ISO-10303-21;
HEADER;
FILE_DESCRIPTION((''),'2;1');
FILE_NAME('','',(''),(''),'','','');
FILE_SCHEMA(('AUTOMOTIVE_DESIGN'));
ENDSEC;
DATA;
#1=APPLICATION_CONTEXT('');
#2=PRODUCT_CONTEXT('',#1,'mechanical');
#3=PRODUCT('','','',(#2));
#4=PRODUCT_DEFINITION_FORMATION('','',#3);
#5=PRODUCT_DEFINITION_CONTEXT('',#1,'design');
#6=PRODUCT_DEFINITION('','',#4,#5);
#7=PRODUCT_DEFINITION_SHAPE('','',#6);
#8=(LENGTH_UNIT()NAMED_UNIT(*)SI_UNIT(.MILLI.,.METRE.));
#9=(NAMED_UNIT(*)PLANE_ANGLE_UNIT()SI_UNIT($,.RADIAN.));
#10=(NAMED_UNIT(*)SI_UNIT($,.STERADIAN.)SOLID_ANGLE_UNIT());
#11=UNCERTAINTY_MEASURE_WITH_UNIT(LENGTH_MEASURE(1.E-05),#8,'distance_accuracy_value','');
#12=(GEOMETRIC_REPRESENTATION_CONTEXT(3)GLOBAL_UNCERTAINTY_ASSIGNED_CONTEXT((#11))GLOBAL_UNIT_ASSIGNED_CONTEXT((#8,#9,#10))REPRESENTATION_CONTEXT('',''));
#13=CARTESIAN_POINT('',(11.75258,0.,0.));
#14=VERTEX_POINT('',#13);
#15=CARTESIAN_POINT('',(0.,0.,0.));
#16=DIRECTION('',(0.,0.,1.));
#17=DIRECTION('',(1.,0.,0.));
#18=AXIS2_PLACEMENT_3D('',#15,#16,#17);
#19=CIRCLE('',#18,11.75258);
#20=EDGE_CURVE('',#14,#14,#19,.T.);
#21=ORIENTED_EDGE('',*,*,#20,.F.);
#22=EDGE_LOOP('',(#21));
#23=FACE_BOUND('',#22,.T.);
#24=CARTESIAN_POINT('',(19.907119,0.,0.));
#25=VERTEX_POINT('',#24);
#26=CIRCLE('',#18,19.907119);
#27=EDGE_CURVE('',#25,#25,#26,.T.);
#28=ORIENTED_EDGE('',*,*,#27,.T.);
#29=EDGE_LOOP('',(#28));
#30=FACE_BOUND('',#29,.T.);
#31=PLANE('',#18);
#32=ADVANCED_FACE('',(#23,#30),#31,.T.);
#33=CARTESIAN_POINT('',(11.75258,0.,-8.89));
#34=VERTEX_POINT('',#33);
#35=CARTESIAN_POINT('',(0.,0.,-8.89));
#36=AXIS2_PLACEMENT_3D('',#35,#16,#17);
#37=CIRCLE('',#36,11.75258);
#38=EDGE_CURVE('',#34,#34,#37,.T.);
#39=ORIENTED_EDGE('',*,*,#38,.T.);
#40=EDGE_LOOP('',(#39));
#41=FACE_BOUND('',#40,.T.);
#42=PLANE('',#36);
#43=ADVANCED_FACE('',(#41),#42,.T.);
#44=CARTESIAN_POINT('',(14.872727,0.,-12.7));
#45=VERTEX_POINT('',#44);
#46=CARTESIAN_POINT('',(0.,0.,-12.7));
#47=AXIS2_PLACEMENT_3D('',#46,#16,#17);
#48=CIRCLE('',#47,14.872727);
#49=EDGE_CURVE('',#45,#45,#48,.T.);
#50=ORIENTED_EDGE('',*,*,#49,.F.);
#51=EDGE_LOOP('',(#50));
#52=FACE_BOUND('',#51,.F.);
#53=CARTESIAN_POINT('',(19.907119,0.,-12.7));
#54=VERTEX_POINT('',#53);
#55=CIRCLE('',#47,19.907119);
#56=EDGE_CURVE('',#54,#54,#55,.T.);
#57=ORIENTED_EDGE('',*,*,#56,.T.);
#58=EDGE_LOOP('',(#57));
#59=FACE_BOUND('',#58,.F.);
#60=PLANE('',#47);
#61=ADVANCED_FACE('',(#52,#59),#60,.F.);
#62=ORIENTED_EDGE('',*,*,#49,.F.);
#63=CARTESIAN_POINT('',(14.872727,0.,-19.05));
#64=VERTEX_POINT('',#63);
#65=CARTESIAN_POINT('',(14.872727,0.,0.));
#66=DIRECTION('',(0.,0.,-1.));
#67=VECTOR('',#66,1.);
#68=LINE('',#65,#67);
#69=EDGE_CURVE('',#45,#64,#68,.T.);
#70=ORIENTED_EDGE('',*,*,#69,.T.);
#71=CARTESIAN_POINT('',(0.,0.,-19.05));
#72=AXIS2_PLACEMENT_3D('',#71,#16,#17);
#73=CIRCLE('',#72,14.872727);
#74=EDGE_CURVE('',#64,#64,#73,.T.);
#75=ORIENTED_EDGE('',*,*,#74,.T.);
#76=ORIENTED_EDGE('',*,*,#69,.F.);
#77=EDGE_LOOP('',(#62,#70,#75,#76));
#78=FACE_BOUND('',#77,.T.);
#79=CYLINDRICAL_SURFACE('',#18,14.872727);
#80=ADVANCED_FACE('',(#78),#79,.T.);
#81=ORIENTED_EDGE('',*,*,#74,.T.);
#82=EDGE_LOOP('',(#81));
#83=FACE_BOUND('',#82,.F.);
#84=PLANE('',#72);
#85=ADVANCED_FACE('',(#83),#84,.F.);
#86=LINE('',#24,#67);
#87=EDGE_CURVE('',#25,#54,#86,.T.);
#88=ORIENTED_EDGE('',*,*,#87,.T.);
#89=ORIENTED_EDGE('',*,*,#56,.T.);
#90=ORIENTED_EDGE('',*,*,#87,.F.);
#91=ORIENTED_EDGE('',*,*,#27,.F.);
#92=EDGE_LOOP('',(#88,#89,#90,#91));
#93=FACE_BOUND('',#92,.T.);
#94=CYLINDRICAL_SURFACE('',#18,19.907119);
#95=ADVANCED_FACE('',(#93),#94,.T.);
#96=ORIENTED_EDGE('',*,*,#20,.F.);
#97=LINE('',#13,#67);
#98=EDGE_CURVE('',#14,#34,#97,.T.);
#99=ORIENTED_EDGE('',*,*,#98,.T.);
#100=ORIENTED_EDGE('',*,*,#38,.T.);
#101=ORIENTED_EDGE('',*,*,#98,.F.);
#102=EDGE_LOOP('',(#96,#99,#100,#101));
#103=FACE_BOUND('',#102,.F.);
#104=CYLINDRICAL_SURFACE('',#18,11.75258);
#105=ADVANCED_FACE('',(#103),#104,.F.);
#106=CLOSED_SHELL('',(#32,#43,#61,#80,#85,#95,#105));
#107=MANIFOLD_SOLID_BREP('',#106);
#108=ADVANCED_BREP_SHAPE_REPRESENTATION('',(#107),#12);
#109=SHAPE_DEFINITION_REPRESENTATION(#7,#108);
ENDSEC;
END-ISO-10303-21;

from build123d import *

# Parameters (mm, degrees)
F1_R     = 19.907119
F2_DEPTH = 12.7
F3_R     = 14.872727
F4_DEPTH = 19.05
F0_R     = 11.75258
F5_DEPTH = 8.89


with BuildPart() as f2:
    # F1 (on Top) → F2 (new body)
    with BuildSketch(Plane.XY):
        Circle(F1_R)
    extrude(amount=-F2_DEPTH)

    # F3 (on Top) → F4 (join)
    with BuildSketch(Plane.XY):
        Circle(F3_R)
    extrude(amount=-F4_DEPTH)

    # F0 (on Top) → F5 (cut)
    with BuildSketch(Plane.XY):
        Circle(F0_R)
    extrude(amount=-F5_DEPTH, mode=Mode.SUBTRACT)


solid = f2.part
